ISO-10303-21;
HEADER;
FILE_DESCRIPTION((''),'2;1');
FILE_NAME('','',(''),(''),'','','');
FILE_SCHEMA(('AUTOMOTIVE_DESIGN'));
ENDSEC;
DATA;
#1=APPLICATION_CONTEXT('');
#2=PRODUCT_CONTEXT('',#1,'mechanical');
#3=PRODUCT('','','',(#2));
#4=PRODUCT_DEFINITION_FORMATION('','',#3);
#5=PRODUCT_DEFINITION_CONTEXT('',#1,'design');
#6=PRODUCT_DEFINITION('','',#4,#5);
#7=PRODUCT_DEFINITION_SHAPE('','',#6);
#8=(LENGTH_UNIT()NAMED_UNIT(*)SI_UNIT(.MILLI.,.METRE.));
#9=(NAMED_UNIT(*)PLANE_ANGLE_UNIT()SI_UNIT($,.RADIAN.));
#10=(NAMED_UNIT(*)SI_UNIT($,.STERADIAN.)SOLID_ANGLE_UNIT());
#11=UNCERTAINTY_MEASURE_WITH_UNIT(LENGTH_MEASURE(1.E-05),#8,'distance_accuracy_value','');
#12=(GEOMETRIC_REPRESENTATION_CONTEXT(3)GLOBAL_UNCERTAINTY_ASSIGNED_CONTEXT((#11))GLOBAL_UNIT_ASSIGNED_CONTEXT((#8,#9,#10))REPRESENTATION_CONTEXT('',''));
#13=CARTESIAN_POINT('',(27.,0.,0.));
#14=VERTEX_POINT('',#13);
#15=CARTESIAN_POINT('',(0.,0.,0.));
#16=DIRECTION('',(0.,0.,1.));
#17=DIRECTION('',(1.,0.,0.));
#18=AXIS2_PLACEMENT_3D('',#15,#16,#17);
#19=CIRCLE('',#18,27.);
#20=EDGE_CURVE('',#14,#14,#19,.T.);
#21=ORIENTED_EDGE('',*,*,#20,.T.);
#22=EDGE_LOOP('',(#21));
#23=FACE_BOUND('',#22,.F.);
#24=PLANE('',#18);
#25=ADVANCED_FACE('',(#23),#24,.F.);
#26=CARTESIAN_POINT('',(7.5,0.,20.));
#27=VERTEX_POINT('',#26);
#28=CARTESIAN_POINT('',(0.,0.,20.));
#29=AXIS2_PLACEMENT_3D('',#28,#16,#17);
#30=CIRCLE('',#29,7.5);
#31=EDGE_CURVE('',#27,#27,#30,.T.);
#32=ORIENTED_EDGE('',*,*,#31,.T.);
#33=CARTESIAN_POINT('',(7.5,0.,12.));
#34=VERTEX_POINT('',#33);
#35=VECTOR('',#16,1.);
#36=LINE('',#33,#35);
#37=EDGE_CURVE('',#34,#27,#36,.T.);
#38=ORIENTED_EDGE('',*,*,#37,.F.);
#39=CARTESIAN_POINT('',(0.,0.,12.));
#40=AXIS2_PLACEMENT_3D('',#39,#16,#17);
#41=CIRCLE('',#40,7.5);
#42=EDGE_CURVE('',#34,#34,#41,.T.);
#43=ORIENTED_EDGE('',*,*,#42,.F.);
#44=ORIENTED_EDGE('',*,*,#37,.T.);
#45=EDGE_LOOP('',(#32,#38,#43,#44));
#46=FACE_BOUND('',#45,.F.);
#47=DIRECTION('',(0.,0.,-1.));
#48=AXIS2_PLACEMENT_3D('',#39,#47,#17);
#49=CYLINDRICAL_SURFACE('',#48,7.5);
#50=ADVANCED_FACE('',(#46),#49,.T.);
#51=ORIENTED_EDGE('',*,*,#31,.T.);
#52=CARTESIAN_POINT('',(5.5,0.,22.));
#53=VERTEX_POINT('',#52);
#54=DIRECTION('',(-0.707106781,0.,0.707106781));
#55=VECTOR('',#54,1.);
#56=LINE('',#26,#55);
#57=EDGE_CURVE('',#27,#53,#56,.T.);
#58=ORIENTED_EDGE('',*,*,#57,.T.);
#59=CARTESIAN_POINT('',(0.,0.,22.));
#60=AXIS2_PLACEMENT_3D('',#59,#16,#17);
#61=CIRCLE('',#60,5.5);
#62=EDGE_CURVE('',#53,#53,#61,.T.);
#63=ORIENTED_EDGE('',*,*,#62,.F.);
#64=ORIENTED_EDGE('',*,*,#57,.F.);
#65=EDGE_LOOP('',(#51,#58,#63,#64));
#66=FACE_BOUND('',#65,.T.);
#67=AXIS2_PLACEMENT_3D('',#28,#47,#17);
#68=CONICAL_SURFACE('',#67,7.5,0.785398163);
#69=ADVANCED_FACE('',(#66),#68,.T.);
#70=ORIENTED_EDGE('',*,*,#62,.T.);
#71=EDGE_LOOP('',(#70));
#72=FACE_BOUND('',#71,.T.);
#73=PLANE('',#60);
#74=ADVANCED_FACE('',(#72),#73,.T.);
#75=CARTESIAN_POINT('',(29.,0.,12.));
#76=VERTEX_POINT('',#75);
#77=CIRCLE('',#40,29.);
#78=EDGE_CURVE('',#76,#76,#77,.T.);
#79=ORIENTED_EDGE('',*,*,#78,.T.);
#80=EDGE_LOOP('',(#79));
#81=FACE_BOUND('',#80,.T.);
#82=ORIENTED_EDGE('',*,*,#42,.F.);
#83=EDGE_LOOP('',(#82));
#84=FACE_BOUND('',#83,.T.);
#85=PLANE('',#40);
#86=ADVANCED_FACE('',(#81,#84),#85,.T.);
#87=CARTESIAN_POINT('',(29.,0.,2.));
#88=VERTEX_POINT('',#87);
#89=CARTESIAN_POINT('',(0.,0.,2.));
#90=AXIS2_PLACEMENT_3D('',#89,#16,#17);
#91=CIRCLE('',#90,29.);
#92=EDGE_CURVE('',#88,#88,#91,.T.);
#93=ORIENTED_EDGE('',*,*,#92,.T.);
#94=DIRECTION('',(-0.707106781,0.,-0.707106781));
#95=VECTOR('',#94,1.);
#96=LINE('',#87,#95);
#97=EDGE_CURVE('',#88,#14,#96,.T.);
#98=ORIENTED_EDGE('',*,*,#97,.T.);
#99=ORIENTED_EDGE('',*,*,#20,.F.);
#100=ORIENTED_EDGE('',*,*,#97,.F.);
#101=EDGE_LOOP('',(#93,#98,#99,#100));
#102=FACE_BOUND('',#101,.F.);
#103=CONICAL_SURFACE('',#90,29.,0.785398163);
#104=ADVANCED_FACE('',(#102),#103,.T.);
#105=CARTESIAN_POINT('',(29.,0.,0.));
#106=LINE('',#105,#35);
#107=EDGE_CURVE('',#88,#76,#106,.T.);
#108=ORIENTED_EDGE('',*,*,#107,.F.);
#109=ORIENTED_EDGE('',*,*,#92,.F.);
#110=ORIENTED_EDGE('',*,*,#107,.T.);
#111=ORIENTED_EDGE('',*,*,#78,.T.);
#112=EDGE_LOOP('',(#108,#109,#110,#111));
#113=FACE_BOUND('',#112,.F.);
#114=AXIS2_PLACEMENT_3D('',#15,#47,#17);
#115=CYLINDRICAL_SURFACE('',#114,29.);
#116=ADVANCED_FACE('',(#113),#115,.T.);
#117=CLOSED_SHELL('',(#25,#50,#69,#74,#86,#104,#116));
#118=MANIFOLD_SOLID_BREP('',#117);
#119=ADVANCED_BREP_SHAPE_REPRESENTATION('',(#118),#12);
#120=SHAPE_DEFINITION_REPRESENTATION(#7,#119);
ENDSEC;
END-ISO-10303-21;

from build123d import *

# Parameters (mm, degrees)
F0_R     = 29
F1_DEPTH = 12
F2_R     = 7.5
F3_DEPTH = 10
F4_SIZE  = 2
F5_SIZE  = 2


with BuildPart() as f1:
    # F0 (on Top) → F1 (new body)
    with BuildSketch(Plane.XY):
        Circle(F0_R)
    extrude(amount=F1_DEPTH)

    # F2 (on face) → F3 (join)
    with BuildSketch(Plane.XY.offset(12)):
        Circle(F2_R)
    extrude(amount=F3_DEPTH)

    # F4
    f4_edges = [f1.edges().sort_by_distance(p)[0] for p in [
        (-7.5, 0, 22),
    ]]
    chamfer(f4_edges, length=F4_SIZE)

    # F5
    f5_edges = [f1.edges().sort_by_distance(p)[0] for p in [
        (-29, 0, 0),
    ]]
    chamfer(f5_edges, length=F5_SIZE)


solid = f1.part
